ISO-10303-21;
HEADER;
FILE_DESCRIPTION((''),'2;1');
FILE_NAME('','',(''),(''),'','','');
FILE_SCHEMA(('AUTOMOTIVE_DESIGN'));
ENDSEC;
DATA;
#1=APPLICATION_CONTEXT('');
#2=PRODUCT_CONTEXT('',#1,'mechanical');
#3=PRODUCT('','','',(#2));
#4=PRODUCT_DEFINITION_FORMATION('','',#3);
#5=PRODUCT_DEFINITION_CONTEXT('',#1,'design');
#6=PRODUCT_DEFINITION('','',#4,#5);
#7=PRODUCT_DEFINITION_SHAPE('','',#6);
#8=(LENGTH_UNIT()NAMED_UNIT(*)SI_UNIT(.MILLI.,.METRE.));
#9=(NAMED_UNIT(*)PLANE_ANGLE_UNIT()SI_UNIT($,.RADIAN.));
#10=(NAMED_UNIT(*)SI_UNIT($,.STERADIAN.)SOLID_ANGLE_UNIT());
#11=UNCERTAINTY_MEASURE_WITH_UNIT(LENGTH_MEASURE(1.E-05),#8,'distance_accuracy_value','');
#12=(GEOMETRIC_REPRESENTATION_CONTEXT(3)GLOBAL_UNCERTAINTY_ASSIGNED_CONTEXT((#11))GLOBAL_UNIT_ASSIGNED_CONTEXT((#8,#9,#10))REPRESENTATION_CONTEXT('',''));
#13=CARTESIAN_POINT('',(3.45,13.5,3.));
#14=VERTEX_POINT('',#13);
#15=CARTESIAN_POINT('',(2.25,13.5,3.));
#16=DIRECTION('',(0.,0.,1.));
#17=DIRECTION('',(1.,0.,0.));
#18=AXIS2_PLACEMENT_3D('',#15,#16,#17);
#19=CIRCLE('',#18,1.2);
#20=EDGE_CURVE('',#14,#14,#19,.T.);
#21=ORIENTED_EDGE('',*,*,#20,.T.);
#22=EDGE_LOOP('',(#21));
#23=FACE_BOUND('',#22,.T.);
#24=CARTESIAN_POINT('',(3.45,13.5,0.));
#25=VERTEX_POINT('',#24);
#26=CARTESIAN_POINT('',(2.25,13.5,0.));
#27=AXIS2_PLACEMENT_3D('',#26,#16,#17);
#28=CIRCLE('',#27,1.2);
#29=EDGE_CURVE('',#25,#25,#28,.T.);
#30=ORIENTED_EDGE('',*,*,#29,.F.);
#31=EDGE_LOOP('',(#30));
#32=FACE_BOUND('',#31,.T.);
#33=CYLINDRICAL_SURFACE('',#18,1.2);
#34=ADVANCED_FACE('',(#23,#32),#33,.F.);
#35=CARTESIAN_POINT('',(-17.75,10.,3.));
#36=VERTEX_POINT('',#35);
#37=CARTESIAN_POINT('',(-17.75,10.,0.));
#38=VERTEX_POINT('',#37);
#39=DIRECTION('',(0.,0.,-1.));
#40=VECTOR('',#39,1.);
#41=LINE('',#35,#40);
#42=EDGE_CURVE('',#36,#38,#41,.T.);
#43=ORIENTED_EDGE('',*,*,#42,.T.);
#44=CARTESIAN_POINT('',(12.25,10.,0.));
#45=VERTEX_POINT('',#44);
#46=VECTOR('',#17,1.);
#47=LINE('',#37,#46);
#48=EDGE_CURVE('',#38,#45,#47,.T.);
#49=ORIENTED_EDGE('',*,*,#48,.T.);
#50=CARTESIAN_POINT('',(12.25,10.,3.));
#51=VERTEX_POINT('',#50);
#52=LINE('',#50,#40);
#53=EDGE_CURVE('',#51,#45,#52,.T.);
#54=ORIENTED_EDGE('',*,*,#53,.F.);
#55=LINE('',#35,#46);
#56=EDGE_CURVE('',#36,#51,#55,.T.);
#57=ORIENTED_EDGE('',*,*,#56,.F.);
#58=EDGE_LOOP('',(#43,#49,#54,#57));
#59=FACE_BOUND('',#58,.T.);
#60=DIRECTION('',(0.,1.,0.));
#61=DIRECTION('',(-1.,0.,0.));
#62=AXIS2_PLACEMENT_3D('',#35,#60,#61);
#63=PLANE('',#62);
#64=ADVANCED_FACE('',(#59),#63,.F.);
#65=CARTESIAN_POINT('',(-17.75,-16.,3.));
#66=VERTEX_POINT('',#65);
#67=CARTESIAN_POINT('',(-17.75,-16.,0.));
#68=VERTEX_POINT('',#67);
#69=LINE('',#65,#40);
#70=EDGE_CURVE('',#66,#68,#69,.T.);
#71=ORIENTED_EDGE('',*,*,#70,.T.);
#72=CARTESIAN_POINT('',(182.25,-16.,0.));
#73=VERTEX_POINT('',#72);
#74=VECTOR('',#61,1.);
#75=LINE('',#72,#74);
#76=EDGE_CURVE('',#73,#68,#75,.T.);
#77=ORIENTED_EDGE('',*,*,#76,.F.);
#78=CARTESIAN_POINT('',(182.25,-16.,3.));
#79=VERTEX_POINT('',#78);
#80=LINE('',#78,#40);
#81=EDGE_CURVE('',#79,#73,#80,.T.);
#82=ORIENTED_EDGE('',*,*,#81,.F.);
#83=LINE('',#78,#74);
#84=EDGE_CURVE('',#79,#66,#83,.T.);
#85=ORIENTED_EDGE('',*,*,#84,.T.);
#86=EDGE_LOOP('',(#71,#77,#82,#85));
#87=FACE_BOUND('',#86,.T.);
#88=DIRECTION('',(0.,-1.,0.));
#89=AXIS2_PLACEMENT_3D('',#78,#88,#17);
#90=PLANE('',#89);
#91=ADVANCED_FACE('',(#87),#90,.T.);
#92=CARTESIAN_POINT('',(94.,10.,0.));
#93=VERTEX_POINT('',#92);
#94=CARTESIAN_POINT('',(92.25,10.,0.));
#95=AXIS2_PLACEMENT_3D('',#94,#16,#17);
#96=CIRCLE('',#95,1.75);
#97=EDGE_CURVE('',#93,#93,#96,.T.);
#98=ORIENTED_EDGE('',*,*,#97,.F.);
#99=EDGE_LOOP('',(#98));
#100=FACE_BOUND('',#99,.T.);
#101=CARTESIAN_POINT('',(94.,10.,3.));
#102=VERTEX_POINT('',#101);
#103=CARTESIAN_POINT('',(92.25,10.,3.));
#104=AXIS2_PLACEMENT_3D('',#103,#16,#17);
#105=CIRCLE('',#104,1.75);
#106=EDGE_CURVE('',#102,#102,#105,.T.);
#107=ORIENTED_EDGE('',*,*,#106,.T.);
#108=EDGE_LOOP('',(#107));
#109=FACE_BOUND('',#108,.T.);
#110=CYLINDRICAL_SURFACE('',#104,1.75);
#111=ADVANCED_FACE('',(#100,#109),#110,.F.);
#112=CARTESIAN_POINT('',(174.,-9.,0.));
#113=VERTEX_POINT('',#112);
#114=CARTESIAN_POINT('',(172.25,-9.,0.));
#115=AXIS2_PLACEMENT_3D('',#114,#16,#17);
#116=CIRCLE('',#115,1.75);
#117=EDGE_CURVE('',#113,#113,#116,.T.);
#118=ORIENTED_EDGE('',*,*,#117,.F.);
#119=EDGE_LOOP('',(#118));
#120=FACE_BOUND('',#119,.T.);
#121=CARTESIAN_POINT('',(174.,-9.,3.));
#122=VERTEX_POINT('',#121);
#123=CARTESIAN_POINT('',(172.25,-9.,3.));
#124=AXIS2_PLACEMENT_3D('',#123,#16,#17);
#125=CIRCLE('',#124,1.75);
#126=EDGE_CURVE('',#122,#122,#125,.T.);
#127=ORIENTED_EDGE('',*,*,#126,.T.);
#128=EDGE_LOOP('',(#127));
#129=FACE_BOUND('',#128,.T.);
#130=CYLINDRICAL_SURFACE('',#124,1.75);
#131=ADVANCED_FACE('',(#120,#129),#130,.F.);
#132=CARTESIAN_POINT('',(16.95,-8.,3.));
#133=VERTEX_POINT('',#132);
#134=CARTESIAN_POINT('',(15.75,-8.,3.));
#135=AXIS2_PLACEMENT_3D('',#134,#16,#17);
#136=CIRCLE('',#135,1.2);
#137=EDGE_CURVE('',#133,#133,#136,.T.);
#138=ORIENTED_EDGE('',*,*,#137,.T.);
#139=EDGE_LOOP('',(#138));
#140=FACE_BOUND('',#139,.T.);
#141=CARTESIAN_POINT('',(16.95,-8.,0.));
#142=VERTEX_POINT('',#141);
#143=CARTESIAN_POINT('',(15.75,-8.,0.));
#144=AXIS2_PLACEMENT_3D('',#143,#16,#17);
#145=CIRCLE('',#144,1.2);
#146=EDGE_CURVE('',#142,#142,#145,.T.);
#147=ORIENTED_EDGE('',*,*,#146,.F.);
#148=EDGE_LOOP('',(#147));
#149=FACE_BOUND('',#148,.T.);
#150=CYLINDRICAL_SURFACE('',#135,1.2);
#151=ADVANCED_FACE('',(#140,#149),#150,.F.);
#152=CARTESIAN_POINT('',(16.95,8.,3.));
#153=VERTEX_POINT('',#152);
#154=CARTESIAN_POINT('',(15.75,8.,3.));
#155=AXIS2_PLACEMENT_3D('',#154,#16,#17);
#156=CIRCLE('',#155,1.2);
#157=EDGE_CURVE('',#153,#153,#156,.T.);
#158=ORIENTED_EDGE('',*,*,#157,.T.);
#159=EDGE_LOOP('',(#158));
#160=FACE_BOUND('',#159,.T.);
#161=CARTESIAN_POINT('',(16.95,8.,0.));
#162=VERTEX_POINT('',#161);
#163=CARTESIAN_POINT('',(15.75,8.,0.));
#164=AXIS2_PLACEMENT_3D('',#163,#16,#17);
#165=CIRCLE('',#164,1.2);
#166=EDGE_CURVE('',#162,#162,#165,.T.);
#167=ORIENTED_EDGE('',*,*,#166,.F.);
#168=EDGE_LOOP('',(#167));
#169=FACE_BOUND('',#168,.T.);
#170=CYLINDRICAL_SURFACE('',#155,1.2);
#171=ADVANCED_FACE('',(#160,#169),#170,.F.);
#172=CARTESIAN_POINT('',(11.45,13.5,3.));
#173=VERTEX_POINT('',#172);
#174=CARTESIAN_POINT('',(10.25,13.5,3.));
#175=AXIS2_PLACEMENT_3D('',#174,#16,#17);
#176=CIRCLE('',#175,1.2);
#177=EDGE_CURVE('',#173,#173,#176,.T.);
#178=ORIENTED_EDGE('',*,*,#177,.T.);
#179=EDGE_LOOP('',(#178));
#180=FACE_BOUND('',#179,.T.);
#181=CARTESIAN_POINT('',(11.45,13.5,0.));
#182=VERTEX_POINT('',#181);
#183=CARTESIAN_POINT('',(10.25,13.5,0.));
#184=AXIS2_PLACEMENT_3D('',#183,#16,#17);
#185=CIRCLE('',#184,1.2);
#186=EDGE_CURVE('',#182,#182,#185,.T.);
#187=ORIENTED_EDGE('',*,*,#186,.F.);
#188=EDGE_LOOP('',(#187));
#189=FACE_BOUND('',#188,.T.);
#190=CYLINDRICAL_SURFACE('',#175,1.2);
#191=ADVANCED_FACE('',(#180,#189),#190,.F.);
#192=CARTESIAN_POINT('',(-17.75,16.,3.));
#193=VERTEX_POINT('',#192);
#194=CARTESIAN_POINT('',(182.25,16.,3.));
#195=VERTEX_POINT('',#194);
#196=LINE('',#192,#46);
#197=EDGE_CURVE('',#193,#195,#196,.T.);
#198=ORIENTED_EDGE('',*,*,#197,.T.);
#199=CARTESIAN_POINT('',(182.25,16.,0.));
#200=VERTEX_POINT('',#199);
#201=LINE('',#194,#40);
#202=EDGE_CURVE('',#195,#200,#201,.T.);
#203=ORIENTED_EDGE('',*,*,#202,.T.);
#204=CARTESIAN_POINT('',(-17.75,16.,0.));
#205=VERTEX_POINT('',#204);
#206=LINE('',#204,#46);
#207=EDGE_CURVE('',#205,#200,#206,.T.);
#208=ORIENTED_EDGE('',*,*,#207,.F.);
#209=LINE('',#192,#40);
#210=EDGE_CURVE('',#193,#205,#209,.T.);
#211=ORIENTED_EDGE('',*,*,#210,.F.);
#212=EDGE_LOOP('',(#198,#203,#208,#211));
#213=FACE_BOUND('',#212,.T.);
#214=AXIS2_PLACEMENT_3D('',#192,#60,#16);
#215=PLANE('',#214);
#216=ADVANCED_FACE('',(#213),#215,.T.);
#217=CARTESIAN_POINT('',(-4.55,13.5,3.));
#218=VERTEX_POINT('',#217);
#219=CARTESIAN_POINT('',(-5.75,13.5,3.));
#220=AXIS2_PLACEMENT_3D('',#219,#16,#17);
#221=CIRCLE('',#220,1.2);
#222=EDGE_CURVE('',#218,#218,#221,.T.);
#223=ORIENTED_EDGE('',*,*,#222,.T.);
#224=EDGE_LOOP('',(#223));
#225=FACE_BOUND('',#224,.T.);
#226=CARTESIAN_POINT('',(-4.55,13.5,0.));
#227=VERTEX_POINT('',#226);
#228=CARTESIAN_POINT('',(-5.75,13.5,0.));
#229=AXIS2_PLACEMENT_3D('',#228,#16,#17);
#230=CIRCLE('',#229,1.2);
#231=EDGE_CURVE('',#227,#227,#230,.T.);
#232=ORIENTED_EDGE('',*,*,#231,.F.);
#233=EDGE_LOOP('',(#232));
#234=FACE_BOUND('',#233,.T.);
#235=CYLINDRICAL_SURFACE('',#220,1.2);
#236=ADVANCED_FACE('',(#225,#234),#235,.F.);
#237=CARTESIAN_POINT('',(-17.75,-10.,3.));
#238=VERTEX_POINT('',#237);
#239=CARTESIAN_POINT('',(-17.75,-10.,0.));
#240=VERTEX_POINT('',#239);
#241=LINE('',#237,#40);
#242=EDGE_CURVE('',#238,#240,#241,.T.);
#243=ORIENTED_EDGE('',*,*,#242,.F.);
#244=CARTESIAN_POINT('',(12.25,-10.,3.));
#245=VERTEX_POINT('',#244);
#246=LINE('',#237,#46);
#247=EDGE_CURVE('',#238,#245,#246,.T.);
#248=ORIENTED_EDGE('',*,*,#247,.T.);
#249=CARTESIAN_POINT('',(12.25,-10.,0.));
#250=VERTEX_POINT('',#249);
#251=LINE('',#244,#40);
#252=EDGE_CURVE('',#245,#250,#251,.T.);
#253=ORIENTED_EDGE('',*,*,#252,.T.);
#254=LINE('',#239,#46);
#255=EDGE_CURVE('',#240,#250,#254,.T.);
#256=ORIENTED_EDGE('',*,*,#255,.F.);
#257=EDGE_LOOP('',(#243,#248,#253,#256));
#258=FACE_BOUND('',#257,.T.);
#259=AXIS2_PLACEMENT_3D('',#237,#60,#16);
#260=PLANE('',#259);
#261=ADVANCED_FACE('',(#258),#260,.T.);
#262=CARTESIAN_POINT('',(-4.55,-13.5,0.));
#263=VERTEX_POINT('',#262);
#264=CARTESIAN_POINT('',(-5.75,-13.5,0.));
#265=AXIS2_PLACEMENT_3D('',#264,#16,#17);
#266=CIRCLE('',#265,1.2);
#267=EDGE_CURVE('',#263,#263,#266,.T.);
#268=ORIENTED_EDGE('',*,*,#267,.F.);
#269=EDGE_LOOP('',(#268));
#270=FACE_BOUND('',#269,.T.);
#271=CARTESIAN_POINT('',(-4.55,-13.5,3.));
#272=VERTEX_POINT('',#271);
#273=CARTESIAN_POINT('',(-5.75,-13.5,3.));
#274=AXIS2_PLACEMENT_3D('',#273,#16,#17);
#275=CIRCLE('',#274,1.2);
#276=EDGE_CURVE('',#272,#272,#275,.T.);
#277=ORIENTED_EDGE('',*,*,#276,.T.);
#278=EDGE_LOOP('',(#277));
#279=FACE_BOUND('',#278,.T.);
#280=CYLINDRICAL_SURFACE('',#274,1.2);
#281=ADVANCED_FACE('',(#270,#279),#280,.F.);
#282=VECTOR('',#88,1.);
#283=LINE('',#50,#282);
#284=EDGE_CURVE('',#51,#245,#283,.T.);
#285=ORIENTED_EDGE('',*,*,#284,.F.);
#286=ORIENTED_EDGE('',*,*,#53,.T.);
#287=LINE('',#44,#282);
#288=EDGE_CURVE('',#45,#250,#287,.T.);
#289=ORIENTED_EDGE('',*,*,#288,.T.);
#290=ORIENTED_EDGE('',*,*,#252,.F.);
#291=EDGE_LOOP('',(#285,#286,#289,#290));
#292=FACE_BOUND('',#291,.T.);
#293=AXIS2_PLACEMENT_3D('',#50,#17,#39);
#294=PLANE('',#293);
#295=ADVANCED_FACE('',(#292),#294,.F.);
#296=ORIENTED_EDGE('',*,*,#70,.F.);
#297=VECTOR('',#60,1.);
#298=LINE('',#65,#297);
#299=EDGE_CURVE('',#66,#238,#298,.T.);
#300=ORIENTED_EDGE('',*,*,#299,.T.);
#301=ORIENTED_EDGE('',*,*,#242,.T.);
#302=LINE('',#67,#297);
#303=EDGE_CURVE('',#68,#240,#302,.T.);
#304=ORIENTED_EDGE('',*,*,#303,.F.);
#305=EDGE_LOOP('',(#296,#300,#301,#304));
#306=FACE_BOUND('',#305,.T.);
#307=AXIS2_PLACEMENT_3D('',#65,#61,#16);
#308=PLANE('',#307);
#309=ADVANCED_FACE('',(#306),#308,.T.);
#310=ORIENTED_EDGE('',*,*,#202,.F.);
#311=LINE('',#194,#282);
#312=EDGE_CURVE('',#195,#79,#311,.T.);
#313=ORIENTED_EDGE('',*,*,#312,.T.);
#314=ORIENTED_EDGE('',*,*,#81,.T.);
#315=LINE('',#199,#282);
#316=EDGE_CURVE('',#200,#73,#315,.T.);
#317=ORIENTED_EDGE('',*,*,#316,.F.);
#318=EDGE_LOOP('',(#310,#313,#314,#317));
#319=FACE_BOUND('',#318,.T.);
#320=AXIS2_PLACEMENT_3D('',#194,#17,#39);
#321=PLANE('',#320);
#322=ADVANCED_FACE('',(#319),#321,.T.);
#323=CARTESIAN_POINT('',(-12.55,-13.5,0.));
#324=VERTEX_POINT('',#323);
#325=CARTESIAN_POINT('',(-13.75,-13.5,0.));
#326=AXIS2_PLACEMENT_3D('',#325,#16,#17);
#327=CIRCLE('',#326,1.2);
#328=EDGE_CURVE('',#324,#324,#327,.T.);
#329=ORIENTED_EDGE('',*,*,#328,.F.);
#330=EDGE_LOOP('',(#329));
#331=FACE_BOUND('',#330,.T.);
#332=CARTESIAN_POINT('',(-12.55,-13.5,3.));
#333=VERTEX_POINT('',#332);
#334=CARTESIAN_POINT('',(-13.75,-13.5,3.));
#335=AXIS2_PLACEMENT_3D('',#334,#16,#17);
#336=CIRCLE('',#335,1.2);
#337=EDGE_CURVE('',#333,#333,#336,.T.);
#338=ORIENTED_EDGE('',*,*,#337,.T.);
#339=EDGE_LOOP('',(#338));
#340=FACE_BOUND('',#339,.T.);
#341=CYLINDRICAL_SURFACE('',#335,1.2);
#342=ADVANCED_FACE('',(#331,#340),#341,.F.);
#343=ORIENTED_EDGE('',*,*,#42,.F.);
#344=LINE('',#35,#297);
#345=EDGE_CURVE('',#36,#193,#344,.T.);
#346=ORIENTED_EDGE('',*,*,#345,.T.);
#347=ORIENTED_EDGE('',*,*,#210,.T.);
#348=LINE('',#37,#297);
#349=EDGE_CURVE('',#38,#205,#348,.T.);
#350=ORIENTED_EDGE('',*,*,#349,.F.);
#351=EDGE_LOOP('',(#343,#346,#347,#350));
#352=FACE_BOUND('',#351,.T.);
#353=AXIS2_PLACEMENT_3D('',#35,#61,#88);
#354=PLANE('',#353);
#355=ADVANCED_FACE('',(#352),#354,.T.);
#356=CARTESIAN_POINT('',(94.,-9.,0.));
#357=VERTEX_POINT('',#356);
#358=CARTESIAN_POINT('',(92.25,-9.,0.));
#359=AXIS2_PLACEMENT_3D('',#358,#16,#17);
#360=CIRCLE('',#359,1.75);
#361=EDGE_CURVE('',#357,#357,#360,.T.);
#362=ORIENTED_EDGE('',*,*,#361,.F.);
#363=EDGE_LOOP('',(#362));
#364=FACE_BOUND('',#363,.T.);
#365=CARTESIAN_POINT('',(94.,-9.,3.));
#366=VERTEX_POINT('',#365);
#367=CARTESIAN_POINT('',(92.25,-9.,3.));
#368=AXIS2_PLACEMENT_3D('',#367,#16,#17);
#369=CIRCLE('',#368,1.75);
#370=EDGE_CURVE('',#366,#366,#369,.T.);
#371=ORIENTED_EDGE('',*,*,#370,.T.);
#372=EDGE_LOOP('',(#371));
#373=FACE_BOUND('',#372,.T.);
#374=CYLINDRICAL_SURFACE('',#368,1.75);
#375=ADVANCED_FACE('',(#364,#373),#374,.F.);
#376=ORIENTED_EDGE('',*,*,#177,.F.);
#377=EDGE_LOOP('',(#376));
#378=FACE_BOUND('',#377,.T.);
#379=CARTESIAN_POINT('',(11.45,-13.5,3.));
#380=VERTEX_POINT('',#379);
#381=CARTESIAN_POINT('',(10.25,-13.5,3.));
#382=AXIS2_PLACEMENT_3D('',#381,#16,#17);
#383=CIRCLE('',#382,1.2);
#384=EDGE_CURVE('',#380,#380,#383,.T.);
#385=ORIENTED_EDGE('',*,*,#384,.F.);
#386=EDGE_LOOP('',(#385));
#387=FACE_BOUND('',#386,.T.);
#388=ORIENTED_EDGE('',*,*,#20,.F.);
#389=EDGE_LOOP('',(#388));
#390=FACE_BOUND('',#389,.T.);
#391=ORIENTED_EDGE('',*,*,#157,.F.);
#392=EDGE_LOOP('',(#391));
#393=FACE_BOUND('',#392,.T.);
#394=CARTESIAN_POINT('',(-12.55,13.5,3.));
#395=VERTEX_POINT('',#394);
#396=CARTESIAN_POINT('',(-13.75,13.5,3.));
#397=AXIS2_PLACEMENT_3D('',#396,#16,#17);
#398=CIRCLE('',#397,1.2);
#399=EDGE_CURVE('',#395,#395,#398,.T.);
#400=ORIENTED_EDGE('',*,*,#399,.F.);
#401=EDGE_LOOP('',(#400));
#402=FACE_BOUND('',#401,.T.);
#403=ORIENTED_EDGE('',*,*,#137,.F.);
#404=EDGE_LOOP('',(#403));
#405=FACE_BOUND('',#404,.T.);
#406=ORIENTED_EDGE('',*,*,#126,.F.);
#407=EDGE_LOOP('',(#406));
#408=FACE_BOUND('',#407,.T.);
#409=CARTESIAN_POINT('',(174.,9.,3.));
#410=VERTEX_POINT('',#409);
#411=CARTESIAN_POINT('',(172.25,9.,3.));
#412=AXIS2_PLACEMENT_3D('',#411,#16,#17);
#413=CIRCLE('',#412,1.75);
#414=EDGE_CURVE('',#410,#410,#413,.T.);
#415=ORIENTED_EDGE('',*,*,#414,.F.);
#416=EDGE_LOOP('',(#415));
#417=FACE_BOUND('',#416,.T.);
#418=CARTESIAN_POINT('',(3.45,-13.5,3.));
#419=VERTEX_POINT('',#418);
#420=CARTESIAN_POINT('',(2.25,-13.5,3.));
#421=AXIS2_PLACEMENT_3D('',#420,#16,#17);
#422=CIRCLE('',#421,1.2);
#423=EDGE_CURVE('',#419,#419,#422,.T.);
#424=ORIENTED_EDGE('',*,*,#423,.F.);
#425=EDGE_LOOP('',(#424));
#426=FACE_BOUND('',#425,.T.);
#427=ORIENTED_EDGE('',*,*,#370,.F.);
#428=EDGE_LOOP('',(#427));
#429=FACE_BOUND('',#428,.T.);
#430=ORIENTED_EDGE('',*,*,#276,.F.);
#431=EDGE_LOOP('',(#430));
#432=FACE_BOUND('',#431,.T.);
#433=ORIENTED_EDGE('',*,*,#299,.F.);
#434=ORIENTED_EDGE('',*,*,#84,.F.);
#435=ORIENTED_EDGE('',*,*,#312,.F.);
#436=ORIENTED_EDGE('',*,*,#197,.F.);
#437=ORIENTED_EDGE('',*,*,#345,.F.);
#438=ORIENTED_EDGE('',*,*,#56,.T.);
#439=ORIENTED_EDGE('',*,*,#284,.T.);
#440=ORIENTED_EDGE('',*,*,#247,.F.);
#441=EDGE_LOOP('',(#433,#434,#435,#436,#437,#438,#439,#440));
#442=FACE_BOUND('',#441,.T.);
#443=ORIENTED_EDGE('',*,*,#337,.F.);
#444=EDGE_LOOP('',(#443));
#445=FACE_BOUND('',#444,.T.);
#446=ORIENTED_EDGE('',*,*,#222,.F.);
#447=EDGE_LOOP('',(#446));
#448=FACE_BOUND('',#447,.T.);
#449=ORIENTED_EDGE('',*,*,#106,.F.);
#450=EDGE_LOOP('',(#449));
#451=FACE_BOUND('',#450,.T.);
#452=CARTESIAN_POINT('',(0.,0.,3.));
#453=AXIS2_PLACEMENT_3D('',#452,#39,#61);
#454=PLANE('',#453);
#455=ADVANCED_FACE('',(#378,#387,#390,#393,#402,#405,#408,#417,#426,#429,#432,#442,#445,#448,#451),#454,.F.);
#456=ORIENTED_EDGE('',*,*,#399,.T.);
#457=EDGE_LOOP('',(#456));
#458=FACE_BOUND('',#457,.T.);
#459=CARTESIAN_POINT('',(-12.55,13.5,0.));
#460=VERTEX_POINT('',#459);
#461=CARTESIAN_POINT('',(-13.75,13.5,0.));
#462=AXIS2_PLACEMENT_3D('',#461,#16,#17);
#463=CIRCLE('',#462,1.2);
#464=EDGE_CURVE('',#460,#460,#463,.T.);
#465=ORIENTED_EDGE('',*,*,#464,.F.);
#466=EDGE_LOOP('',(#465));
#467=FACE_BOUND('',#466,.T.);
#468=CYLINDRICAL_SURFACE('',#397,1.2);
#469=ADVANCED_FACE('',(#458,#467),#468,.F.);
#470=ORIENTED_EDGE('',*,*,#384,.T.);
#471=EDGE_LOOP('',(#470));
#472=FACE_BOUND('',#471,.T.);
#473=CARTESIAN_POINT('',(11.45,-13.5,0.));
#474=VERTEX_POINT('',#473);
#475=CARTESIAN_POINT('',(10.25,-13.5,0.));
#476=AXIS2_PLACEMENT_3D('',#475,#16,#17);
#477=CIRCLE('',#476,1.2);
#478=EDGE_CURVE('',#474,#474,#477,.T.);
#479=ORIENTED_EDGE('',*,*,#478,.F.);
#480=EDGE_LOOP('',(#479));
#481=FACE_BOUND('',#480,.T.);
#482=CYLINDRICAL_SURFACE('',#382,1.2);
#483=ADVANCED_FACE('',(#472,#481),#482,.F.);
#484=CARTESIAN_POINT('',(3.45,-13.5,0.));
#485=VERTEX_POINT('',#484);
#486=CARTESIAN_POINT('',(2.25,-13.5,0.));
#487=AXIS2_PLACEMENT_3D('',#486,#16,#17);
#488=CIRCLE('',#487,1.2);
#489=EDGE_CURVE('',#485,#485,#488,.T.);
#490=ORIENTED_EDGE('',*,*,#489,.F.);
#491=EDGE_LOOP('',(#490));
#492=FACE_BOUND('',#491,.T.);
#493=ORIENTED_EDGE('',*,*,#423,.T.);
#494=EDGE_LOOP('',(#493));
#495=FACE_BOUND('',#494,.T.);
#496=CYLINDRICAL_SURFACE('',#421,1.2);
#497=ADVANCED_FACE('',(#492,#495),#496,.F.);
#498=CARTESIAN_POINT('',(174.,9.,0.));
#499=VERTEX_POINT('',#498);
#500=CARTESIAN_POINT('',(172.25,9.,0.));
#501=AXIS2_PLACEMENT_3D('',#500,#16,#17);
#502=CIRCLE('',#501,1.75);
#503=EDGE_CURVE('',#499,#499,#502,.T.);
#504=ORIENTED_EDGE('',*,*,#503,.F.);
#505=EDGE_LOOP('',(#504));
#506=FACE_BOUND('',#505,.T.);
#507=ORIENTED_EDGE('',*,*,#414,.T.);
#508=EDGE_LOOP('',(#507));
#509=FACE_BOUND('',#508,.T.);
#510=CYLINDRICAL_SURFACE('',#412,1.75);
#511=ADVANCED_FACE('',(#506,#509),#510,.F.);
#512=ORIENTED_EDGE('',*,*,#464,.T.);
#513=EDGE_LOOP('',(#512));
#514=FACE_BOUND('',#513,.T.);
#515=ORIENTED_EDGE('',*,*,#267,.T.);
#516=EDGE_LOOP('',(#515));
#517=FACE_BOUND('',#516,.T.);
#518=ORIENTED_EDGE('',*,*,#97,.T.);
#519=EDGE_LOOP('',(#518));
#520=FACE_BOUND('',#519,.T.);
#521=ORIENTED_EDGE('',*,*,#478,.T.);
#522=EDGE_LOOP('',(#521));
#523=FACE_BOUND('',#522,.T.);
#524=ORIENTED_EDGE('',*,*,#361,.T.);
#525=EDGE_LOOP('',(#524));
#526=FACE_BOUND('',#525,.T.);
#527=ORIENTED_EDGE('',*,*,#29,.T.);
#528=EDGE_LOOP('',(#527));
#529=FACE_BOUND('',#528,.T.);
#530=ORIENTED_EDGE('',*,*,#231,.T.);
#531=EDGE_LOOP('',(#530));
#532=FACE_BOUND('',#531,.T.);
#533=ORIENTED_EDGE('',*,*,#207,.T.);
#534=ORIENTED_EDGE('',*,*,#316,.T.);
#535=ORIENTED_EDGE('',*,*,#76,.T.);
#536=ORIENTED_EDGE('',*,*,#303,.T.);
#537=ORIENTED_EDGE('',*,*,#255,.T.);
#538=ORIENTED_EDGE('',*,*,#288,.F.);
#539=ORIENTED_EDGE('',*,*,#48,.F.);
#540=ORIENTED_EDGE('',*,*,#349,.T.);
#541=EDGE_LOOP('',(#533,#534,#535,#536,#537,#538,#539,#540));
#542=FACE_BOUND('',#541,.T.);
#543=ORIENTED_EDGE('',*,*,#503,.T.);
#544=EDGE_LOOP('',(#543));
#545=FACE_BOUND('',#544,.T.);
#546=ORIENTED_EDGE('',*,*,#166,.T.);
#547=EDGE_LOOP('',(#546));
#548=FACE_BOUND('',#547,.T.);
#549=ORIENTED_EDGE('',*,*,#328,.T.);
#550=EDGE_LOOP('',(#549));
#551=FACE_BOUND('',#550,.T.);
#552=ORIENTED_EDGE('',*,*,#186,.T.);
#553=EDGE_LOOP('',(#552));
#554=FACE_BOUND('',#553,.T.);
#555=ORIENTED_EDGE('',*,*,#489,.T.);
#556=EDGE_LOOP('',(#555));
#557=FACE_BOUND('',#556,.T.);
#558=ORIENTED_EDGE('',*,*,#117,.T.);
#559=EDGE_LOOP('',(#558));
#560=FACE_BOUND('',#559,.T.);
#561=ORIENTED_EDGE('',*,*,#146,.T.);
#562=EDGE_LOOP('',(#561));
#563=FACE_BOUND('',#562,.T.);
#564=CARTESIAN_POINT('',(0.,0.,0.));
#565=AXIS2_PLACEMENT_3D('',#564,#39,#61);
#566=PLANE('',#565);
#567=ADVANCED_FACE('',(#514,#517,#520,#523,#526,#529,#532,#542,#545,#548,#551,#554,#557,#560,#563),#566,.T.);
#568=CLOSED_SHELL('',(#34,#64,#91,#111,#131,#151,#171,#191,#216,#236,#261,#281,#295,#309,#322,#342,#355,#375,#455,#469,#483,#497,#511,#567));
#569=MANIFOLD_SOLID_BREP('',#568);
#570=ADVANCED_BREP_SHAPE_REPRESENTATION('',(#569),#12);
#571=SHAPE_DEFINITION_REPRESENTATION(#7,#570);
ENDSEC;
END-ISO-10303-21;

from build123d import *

# Parameters (mm, degrees)
BOSS_EXTRUDE1_DEPTH        = 3
M2_CLEARANCE_HOLE1_D       = 2.4
F_3_5_3_5_DIAMETER_HOLE1_D = 3.5


with BuildPart() as part:
    # Sketch1 → Boss-Extrude1 (new body)
    with BuildSketch(Plane.XY):
        Polygon((-17.75, 16), (182.25, 16), (182.25, -16), (-17.75, -16), (-17.75, -10), (12.25, -10), (12.25, 10), (-17.75, 10), align=None)
    extrude(amount=BOSS_EXTRUDE1_DEPTH)

    # M2 Clearance Hole1 (through all)
    with Locations(Plane.XY.offset(3)):
        with Locations((-13.75, 13.5), (-5.75, 13.5), (2.25, 13.5), (10.25, 13.5), (15.75, 8), (15.75, -8), (10.25, -13.5), (2.25, -13.5), (-5.75, -13.5), (-13.75, -13.5)):
            Hole(M2_CLEARANCE_HOLE1_D / 2)

    # Ø3.5 (3.5) Diameter Hole1 (through all)
    with Locations(Plane.XY.offset(3)):
        with Locations((92.25, -9), (92.25, 10), (172.25, 9), (172.25, -9)):
            Hole(F_3_5_3_5_DIAMETER_HOLE1_D / 2)


solid = part.part
